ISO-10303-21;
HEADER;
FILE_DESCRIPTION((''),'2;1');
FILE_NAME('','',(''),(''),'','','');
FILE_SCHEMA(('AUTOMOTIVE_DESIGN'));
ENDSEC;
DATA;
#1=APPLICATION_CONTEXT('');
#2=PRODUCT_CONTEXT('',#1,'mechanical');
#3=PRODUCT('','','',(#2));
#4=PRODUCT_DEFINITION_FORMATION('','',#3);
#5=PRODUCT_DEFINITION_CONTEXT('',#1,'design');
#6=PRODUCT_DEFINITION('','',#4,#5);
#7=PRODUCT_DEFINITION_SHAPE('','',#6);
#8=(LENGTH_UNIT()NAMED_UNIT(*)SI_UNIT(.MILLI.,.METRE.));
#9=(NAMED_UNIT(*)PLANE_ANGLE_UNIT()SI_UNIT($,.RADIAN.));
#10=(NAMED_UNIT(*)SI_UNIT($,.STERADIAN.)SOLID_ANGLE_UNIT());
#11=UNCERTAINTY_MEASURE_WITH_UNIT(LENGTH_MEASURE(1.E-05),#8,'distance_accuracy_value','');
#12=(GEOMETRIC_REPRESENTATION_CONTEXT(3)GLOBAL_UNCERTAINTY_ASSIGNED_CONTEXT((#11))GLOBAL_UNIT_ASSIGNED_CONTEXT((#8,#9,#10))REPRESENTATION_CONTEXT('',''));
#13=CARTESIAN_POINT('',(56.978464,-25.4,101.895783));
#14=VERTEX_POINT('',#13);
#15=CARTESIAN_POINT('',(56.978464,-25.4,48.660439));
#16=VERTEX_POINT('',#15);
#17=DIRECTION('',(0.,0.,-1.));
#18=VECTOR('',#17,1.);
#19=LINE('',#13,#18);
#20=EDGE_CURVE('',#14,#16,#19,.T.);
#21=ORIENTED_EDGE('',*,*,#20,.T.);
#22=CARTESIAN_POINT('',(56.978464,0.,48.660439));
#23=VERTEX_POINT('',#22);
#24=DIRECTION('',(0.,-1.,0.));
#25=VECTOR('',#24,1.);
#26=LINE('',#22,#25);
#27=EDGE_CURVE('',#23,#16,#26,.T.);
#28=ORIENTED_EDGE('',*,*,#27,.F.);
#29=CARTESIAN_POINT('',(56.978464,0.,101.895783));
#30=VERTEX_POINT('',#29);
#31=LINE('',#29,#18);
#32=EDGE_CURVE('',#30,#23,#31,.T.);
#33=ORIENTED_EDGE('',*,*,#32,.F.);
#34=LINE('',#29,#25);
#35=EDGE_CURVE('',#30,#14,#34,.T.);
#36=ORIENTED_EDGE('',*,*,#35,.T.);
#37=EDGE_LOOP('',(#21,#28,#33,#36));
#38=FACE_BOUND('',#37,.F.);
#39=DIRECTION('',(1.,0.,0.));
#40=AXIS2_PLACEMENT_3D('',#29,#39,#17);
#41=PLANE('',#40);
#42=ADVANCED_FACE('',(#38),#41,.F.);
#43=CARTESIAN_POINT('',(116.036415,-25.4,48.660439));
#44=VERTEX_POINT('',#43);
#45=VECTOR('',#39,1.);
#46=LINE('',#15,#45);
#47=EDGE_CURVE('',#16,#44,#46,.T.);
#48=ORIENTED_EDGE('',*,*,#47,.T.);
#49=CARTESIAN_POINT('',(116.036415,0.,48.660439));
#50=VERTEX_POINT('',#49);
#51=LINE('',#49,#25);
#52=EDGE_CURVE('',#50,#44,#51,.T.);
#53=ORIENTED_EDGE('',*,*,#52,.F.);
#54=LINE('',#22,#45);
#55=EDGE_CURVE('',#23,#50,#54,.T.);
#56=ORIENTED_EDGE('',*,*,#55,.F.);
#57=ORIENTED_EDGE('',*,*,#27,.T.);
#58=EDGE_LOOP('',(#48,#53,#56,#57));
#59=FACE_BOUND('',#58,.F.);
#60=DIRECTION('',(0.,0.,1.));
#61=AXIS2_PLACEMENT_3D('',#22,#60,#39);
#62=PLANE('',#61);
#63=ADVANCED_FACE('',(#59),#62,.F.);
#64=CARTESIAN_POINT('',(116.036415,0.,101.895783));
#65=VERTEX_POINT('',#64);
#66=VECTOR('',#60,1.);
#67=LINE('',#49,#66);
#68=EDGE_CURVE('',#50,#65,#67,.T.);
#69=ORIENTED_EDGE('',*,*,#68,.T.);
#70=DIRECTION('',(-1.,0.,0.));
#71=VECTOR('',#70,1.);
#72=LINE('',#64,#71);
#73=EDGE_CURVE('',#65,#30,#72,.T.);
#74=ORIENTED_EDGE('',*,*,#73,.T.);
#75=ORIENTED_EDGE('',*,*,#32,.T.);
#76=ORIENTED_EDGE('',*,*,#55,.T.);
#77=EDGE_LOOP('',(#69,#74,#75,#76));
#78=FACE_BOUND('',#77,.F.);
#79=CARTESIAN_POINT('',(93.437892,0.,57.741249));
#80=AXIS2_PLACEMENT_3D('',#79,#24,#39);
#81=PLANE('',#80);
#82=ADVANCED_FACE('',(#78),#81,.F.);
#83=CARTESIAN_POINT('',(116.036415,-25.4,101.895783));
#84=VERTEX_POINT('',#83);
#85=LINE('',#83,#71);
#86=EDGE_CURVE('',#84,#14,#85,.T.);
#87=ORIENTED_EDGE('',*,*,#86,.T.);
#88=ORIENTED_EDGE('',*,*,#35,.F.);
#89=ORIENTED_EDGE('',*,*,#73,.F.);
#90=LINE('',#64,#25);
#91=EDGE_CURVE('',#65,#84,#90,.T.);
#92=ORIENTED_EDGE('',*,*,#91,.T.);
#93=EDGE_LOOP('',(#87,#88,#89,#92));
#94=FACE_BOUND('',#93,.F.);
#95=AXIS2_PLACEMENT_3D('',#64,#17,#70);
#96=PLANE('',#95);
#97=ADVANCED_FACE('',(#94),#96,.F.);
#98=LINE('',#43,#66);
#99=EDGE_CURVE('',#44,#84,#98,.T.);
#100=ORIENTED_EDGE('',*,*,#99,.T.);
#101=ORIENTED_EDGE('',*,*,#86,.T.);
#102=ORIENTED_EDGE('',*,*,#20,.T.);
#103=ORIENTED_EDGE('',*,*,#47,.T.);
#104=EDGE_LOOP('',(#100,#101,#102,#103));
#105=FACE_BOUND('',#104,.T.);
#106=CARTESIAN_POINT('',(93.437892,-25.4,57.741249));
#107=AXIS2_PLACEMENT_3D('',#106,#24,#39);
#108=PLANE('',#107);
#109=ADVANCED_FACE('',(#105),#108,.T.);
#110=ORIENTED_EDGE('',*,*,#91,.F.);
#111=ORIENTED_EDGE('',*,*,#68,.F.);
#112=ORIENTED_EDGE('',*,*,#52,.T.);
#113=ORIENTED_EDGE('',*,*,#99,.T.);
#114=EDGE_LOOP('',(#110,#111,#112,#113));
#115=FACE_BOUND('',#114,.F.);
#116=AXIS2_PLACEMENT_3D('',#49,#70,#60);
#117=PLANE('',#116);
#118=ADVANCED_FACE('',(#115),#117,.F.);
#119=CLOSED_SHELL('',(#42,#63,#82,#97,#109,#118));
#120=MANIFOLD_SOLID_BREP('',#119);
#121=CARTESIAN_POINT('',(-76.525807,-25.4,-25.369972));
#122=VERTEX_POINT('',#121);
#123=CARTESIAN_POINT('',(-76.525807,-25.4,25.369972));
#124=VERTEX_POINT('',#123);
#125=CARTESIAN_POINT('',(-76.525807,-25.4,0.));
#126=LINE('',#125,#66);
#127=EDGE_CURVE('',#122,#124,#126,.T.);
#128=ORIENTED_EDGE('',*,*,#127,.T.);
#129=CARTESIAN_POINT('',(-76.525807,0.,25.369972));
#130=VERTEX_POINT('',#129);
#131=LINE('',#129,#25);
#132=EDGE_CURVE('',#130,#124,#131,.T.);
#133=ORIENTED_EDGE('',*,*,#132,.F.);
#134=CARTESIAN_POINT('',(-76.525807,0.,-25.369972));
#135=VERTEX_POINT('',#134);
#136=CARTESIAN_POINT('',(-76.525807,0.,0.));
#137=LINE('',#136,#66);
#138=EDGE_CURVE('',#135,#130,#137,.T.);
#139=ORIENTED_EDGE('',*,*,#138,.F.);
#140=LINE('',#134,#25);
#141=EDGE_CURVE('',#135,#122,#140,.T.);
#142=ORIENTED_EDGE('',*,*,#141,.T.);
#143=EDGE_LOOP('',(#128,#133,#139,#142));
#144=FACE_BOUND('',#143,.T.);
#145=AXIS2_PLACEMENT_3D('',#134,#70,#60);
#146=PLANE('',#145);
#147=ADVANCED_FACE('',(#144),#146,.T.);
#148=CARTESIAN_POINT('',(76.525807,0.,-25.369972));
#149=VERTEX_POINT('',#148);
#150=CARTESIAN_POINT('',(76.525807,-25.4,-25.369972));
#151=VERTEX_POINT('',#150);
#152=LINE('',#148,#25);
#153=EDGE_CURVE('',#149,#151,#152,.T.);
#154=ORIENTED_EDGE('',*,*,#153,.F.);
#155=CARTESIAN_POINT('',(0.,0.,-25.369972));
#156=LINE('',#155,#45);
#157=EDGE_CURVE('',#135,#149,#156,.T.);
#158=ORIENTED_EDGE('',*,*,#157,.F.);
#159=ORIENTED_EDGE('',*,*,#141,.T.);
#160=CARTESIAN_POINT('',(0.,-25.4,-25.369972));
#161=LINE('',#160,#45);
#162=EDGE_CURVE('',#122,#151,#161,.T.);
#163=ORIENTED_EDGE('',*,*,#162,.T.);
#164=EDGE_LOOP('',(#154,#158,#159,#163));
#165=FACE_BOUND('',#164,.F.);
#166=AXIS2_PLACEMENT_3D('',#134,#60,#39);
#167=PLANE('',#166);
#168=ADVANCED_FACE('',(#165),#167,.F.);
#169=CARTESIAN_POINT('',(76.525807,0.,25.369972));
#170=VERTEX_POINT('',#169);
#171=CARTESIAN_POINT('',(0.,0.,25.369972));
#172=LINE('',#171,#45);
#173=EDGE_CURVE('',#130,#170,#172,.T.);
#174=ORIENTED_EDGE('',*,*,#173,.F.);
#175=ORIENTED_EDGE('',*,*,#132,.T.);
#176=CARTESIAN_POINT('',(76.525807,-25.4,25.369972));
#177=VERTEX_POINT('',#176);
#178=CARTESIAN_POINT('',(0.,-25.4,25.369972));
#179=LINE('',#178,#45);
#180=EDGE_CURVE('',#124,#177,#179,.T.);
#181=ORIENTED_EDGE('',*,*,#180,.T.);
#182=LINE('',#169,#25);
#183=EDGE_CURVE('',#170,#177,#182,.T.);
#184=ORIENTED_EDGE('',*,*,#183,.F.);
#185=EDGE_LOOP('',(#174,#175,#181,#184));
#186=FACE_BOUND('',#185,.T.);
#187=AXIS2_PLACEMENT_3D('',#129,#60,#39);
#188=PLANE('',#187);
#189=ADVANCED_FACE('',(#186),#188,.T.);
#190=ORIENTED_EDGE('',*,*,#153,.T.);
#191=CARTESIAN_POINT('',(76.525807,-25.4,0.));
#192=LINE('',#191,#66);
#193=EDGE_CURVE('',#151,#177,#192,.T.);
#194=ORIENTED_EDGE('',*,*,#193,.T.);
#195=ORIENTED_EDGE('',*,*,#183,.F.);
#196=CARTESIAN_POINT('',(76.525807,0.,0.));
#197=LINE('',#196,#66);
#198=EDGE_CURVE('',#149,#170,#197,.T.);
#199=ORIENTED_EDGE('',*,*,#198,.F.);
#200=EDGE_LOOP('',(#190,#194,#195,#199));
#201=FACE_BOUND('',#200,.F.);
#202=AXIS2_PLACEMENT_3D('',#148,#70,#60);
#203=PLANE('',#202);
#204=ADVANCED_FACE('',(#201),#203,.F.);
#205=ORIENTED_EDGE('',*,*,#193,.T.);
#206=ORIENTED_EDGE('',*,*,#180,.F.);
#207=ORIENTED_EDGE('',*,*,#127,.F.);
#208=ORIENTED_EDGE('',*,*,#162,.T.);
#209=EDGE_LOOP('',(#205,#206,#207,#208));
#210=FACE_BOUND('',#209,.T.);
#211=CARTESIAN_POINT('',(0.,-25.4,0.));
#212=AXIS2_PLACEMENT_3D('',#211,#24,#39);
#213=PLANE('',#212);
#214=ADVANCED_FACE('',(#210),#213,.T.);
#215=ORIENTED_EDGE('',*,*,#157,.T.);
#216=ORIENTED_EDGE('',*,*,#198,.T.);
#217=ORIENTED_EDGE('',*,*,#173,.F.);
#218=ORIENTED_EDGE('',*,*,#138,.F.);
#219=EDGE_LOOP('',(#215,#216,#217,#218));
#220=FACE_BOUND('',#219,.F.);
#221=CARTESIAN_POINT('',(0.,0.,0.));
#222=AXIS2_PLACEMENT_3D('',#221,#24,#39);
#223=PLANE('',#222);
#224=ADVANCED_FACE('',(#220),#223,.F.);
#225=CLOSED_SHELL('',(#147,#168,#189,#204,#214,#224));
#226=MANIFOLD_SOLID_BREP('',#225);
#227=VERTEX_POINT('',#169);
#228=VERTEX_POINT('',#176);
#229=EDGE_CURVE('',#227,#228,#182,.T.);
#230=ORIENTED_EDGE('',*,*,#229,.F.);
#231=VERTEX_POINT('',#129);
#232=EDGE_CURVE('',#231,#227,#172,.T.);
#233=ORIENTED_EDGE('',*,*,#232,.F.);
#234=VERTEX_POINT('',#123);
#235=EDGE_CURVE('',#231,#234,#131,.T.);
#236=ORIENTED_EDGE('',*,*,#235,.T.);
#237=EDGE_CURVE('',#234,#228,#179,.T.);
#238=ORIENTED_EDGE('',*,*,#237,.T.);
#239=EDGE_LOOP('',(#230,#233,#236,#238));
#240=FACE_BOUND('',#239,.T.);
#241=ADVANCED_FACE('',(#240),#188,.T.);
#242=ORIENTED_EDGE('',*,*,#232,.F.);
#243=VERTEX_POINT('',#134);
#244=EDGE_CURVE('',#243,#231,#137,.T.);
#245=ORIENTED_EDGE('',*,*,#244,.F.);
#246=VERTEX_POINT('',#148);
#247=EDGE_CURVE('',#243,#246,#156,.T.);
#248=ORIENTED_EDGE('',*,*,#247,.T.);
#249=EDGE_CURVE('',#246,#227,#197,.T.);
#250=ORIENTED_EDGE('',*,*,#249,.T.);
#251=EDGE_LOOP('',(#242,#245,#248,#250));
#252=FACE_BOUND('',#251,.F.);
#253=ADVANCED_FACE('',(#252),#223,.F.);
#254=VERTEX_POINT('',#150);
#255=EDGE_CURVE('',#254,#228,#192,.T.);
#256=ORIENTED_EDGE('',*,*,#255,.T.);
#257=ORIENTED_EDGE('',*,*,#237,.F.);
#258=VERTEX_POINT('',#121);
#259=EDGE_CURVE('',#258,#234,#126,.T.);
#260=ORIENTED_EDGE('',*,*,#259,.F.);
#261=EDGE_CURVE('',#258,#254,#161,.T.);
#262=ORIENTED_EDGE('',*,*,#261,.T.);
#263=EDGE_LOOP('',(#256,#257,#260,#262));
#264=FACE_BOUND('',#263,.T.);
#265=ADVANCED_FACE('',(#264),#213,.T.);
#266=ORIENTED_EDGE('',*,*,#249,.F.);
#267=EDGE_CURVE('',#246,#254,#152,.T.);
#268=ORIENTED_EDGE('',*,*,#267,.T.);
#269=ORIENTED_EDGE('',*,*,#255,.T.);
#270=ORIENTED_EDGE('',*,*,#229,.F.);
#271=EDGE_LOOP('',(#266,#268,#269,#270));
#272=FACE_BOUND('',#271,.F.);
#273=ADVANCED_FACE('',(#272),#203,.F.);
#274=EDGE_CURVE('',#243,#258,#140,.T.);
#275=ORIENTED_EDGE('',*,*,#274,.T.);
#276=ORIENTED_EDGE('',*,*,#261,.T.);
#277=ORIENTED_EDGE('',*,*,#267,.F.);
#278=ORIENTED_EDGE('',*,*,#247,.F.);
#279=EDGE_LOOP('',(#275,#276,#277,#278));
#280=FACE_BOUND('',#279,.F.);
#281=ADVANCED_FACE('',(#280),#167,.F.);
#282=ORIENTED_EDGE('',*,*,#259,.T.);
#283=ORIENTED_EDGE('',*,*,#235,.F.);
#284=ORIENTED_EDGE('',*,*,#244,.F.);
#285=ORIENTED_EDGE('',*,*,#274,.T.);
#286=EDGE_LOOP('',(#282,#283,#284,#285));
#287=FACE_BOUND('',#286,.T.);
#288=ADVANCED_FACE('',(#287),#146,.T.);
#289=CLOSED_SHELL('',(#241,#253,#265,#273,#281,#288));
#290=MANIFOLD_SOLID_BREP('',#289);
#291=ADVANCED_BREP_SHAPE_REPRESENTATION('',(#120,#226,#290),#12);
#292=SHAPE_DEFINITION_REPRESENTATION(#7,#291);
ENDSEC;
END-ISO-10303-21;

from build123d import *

# Parameters (mm, degrees)
F0_W     = 153.0516147614
F0_H     = 50.7399439812
F2_DEPTH = 25.4
F1_W     = 153.0516147614
F1_H     = 50.7399439812


with BuildPart() as f2:
    # F0 (on Front) → F2 (new body)
    with BuildSketch(Plane.XZ):
        Rectangle(F0_W, F0_H)
    extrude(amount=F2_DEPTH)


with BuildPart() as f2b:
    # F0 (on Front) → F2, piece 2 (new body)
    with BuildSketch(Plane.XZ):
        with BuildLine():
            Line((76.5258073807, 63.2169768214), (76.5258073807, 48.6604385078))
            Line((76.5258073807, 48.6604385078), (116.0364151001, 48.6604385078))
            Line((116.0364151001, 48.6604385078), (99.4003713131, 64.4646808505))
            ThreePointArc((99.4003713131, 64.4646808505), (87.372338283, 74.6712603045), (76.5258073807, 63.2169768214))
        make_face()
        with BuildLine():
            Line((56.9784641266, 48.6604385078), (76.5258073807, 48.6604385078))
            Line((76.5258073807, 48.6604385078), (76.5258073807, 63.2169768214))
            ThreePointArc((76.5258073807, 63.2169768214), (87.372338283, 74.6712603045), (99.4003713131, 64.4646808505))
            Line((99.4003713131, 64.4646808505), (116.0364151001, 48.6604385078))
            Line((116.0364151001, 48.6604385078), (116.0364151001, 101.8957830966))
            Line((116.0364151001, 101.8957830966), (56.9784641266, 101.8957830966))
            Line((56.9784641266, 101.8957830966), (56.9784641266, 48.6604385078))
        make_face()
    extrude(amount=F2_DEPTH)


with BuildPart() as f2c:
    # F1 (on face) → F2, piece 3 (new body)
    with BuildSketch(Plane.XZ):
        Rectangle(F1_W, F1_H)
    extrude(amount=F2_DEPTH)


solid = Compound([f2.part, f2b.part, f2c.part])
